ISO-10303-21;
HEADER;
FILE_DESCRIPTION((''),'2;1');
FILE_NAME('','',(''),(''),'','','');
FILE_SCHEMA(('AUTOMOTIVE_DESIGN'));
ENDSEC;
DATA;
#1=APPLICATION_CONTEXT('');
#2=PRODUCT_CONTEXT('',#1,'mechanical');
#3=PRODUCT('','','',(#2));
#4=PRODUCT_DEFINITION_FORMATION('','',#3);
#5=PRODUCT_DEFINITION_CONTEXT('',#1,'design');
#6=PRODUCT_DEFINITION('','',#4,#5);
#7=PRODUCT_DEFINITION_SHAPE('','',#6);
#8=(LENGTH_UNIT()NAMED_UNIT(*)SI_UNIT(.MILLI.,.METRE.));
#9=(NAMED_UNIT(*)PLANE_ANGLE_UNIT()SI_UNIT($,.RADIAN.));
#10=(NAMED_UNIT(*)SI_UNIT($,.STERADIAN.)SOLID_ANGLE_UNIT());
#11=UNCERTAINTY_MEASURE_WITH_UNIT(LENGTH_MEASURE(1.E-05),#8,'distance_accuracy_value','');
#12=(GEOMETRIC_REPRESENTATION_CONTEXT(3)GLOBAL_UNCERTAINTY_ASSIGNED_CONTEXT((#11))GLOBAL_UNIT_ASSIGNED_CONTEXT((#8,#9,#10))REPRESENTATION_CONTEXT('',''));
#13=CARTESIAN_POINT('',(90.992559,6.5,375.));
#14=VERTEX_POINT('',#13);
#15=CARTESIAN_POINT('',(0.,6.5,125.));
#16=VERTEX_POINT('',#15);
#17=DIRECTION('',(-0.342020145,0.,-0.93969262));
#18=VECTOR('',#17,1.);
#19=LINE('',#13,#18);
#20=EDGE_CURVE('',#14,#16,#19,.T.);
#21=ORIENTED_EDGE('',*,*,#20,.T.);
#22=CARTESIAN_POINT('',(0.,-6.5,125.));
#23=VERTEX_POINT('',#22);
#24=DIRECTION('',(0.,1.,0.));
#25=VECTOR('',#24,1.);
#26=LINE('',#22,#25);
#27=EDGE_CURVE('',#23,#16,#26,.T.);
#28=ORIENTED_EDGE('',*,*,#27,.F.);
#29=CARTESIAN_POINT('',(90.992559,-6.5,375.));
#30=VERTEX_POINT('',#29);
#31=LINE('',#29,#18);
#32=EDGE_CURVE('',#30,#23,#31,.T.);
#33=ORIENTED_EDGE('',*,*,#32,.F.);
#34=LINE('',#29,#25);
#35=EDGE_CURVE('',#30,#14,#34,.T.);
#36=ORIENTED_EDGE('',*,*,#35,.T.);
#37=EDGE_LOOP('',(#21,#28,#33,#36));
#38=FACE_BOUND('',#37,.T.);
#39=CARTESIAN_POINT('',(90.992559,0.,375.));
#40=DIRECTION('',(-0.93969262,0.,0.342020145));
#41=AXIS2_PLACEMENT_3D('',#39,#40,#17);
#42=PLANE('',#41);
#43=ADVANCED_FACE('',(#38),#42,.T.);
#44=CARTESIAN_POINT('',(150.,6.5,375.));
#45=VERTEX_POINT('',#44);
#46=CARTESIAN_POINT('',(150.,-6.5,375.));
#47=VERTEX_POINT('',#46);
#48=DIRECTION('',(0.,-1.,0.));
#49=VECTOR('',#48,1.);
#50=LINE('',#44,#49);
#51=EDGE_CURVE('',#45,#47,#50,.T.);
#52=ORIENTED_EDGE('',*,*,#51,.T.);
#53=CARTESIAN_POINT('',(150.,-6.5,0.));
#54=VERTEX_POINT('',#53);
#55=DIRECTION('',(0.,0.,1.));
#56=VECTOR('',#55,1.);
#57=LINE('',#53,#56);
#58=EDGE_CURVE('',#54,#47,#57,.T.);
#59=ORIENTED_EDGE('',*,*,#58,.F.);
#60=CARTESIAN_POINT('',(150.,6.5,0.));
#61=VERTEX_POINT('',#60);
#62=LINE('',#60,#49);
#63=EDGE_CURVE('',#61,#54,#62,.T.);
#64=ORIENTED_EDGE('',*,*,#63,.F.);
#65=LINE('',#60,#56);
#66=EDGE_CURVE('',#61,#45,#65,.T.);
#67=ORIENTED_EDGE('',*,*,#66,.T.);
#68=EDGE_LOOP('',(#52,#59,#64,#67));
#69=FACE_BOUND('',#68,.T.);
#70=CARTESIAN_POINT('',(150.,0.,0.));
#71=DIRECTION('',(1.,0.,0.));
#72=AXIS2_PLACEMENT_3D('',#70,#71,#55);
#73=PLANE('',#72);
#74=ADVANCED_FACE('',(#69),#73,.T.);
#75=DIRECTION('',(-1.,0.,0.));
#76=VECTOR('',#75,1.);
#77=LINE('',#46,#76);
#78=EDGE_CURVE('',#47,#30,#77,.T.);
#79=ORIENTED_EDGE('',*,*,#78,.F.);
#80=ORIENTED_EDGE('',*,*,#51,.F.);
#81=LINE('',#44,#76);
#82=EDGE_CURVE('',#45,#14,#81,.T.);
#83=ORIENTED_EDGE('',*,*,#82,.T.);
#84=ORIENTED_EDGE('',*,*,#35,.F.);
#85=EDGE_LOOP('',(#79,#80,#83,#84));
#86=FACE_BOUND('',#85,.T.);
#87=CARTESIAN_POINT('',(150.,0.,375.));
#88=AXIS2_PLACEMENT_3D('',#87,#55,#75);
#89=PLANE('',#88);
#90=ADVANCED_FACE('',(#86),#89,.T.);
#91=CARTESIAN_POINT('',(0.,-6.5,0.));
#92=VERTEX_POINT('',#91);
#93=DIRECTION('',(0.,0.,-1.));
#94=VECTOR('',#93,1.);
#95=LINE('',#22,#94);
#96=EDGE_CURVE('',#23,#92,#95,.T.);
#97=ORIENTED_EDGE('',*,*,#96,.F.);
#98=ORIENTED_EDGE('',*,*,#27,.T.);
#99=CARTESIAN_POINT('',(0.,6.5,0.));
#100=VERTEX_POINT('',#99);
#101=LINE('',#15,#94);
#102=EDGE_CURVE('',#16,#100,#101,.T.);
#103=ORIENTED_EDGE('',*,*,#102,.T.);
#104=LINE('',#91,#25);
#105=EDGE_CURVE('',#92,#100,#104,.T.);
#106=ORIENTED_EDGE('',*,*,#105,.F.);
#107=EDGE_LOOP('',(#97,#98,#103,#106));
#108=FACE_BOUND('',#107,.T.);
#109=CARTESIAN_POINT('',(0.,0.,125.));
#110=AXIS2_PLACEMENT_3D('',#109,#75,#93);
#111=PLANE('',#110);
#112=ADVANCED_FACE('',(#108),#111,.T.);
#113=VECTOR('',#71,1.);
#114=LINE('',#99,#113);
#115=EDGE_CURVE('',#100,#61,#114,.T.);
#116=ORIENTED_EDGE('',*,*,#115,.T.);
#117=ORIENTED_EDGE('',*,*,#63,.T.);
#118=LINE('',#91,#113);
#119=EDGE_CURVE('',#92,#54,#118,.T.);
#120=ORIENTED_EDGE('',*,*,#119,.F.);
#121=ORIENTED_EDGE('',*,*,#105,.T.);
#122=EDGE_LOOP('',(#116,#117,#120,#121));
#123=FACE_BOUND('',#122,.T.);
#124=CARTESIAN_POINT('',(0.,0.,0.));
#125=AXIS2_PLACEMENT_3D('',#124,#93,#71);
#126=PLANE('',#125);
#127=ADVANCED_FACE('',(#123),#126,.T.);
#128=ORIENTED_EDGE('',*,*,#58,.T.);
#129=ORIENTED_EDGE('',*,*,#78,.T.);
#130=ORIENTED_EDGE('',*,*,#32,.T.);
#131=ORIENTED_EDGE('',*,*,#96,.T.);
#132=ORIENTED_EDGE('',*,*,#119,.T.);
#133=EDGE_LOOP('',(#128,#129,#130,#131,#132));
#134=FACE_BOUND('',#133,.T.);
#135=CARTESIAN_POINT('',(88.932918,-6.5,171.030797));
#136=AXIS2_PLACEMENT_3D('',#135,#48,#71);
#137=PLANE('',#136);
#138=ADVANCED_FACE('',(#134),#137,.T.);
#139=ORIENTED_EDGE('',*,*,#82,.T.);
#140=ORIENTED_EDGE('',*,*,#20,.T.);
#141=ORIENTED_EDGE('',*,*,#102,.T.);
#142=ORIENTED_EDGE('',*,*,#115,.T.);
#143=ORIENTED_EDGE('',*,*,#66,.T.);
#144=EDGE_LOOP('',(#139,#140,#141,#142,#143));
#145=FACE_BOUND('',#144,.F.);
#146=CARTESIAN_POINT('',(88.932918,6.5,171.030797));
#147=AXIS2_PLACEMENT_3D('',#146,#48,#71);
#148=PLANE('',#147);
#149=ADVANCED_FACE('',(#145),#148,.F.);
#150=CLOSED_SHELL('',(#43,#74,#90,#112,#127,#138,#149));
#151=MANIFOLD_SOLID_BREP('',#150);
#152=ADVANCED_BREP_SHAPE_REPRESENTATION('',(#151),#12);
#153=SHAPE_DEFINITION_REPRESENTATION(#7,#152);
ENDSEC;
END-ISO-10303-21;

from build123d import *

# Parameters (mm, degrees)
PAD_DEPTH = 6.5


with BuildPart() as part:
    # Sketch → Pad (new body, symmetric)
    with BuildSketch(Plane.XZ):
        Polygon((0, 0), (150, 0), (150, 375), (90.992559, 375), (0, 125), align=None)
    extrude(amount=PAD_DEPTH, both=True)


solid = part.part
